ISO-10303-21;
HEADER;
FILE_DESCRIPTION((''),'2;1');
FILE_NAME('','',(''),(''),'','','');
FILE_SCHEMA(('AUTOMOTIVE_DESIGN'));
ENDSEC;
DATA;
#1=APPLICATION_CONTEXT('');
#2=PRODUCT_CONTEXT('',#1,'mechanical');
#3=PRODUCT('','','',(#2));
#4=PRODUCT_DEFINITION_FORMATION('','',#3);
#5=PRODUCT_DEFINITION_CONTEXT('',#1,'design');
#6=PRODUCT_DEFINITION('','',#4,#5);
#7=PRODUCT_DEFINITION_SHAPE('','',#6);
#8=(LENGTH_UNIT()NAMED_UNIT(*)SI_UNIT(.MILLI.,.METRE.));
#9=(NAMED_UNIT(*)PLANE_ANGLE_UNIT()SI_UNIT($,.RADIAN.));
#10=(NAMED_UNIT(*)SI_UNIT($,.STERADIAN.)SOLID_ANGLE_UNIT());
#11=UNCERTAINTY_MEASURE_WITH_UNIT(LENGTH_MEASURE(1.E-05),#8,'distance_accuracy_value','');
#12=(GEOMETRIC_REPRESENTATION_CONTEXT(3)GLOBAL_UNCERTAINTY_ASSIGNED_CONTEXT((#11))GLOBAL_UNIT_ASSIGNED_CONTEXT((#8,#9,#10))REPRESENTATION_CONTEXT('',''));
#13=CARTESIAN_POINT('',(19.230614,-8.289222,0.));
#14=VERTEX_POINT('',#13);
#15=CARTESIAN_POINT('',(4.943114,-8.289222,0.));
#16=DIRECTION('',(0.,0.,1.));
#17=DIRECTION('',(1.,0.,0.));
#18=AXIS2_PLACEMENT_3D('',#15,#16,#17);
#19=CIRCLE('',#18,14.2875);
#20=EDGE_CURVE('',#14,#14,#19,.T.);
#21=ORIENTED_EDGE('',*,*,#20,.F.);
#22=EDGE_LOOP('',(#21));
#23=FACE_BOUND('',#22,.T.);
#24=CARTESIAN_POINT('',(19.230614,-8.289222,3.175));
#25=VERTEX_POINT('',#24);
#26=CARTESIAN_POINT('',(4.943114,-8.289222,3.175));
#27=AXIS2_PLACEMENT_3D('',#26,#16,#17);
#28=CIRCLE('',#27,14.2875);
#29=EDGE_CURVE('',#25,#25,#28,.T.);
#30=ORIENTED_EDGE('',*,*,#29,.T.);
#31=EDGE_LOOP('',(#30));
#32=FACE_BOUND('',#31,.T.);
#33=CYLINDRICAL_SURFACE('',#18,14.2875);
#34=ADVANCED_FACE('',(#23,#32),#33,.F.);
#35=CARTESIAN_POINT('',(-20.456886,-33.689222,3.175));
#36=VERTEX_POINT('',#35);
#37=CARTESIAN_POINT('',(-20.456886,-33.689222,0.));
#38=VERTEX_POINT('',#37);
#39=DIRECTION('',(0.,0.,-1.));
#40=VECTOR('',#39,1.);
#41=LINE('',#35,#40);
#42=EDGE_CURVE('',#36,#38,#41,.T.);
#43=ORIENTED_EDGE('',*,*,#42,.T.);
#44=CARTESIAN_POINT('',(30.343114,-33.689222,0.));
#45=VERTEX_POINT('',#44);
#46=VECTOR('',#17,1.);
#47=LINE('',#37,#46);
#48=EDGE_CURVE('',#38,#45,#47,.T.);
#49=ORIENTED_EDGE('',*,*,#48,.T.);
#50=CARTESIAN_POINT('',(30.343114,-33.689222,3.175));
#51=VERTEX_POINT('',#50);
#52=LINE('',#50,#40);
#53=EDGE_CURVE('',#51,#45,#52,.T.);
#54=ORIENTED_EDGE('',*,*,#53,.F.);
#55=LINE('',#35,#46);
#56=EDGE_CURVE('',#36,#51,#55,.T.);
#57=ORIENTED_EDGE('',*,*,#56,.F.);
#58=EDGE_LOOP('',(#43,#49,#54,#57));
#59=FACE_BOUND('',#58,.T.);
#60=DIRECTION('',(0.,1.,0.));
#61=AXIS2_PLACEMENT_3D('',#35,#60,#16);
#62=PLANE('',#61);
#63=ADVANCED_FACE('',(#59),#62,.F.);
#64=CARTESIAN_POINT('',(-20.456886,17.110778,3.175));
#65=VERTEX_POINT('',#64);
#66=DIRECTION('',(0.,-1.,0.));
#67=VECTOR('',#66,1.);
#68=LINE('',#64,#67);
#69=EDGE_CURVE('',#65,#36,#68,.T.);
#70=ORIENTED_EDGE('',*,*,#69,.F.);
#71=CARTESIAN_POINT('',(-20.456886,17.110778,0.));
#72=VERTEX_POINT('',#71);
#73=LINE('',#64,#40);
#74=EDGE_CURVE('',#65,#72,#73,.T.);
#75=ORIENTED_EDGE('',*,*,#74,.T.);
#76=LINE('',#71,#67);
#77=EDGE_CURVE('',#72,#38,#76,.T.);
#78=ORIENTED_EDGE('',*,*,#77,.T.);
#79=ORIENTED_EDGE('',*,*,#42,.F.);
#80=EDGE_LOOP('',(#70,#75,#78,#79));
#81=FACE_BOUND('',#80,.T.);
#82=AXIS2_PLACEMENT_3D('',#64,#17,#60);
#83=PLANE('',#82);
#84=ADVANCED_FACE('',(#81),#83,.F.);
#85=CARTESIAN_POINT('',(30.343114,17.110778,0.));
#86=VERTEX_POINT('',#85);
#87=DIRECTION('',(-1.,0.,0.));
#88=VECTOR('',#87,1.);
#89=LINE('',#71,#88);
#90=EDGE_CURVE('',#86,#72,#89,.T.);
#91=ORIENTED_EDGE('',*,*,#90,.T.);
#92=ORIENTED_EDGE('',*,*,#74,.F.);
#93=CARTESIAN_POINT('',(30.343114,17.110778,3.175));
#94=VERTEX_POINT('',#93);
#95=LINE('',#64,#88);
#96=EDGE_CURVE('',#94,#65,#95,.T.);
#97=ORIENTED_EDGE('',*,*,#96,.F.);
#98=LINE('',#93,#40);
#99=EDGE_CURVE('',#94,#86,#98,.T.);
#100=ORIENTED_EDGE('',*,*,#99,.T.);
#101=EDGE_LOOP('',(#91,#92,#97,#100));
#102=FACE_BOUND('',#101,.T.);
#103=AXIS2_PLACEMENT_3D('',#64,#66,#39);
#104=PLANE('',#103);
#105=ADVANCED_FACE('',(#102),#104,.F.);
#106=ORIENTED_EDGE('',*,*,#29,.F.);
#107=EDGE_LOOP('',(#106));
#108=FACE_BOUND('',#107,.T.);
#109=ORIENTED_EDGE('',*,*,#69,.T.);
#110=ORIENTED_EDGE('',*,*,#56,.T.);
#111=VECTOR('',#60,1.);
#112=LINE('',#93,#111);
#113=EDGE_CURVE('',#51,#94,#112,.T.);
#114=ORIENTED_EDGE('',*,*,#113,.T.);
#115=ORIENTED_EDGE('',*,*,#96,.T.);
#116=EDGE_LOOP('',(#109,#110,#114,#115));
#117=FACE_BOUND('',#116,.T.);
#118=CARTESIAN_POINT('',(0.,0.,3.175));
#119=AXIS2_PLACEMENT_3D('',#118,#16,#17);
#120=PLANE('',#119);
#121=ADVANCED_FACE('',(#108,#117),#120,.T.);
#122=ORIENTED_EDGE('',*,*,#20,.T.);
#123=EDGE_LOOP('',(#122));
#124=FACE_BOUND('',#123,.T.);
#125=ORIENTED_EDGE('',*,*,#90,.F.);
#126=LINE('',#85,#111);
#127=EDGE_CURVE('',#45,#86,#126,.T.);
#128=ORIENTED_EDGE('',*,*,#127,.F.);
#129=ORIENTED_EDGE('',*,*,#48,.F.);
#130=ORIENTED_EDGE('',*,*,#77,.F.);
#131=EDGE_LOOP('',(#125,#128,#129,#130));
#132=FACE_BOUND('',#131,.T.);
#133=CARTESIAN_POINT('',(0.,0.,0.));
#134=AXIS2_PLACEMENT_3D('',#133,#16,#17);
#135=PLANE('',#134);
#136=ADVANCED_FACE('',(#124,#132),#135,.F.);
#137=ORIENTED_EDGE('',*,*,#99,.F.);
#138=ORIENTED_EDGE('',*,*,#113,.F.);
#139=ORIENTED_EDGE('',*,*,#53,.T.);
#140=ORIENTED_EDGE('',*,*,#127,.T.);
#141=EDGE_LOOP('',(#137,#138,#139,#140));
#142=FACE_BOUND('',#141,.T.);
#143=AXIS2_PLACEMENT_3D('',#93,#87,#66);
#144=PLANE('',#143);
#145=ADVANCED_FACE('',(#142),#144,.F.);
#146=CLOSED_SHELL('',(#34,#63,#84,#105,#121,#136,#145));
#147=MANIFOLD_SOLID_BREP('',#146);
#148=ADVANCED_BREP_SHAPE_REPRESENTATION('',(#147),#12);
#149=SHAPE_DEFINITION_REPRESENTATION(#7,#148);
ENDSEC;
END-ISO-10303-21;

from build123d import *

# Parameters (mm, degrees)
SKETCH1_W           = 50.8
SKETCH1_H           = 50.8
BOSS_EXTRUDE1_DEPTH = 3.175
CUT_EXTRUDE1_DEPTH  = 3.175


with BuildPart() as part:
    # Sketch1 → Boss-Extrude1 (new body)
    with BuildSketch(Plane.XY):
        with Locations((4.943113772, -8.289221557)):
            Rectangle(SKETCH1_W, SKETCH1_H)
    extrude(amount=BOSS_EXTRUDE1_DEPTH)

    # Sketch2 → Cut-Extrude1 (cut)
    with BuildSketch(Plane.XY.offset(3.175)):
        with BuildLine():
            ThreePointArc((19.230613772, -8.289221557), (15.045901909, 1.813566579), (4.943113772, 5.998278443))
            Line((4.943113772, 5.998278443), (4.943113772, -8.289221557))
            Line((4.943113772, -8.289221557), (19.230613772, -8.289221557))
        make_face()
        with BuildLine():
            Line((4.943113772, -8.289221557), (4.943113772, 5.998278443))
            ThreePointArc((4.943113772, 5.998278443), (-5.159674364, 1.813566579), (-9.344386228, -8.289221557))
            Line((-9.344386228, -8.289221557), (4.943113772, -8.289221557))
        make_face()
        with BuildLine():
            Line((19.230613772, -8.289221557), (4.943113772, -8.289221557))
            Line((4.943113772, -8.289221557), (4.943113772, -22.576721557))
            ThreePointArc((4.943113772, -22.576721557), (15.045901909, -18.392009693), (19.230613772, -8.289221557))
        make_face()
        with BuildLine():
            Line((4.943113772, -22.576721557), (4.943113772, -8.289221557))
            Line((4.943113772, -8.289221557), (-9.344386228, -8.289221557))
            ThreePointArc((-9.344386228, -8.289221557), (-5.159674364, -18.392009693), (4.943113772, -22.576721557))
        make_face()
    extrude(amount=-CUT_EXTRUDE1_DEPTH, mode=Mode.SUBTRACT)


solid = part.part
